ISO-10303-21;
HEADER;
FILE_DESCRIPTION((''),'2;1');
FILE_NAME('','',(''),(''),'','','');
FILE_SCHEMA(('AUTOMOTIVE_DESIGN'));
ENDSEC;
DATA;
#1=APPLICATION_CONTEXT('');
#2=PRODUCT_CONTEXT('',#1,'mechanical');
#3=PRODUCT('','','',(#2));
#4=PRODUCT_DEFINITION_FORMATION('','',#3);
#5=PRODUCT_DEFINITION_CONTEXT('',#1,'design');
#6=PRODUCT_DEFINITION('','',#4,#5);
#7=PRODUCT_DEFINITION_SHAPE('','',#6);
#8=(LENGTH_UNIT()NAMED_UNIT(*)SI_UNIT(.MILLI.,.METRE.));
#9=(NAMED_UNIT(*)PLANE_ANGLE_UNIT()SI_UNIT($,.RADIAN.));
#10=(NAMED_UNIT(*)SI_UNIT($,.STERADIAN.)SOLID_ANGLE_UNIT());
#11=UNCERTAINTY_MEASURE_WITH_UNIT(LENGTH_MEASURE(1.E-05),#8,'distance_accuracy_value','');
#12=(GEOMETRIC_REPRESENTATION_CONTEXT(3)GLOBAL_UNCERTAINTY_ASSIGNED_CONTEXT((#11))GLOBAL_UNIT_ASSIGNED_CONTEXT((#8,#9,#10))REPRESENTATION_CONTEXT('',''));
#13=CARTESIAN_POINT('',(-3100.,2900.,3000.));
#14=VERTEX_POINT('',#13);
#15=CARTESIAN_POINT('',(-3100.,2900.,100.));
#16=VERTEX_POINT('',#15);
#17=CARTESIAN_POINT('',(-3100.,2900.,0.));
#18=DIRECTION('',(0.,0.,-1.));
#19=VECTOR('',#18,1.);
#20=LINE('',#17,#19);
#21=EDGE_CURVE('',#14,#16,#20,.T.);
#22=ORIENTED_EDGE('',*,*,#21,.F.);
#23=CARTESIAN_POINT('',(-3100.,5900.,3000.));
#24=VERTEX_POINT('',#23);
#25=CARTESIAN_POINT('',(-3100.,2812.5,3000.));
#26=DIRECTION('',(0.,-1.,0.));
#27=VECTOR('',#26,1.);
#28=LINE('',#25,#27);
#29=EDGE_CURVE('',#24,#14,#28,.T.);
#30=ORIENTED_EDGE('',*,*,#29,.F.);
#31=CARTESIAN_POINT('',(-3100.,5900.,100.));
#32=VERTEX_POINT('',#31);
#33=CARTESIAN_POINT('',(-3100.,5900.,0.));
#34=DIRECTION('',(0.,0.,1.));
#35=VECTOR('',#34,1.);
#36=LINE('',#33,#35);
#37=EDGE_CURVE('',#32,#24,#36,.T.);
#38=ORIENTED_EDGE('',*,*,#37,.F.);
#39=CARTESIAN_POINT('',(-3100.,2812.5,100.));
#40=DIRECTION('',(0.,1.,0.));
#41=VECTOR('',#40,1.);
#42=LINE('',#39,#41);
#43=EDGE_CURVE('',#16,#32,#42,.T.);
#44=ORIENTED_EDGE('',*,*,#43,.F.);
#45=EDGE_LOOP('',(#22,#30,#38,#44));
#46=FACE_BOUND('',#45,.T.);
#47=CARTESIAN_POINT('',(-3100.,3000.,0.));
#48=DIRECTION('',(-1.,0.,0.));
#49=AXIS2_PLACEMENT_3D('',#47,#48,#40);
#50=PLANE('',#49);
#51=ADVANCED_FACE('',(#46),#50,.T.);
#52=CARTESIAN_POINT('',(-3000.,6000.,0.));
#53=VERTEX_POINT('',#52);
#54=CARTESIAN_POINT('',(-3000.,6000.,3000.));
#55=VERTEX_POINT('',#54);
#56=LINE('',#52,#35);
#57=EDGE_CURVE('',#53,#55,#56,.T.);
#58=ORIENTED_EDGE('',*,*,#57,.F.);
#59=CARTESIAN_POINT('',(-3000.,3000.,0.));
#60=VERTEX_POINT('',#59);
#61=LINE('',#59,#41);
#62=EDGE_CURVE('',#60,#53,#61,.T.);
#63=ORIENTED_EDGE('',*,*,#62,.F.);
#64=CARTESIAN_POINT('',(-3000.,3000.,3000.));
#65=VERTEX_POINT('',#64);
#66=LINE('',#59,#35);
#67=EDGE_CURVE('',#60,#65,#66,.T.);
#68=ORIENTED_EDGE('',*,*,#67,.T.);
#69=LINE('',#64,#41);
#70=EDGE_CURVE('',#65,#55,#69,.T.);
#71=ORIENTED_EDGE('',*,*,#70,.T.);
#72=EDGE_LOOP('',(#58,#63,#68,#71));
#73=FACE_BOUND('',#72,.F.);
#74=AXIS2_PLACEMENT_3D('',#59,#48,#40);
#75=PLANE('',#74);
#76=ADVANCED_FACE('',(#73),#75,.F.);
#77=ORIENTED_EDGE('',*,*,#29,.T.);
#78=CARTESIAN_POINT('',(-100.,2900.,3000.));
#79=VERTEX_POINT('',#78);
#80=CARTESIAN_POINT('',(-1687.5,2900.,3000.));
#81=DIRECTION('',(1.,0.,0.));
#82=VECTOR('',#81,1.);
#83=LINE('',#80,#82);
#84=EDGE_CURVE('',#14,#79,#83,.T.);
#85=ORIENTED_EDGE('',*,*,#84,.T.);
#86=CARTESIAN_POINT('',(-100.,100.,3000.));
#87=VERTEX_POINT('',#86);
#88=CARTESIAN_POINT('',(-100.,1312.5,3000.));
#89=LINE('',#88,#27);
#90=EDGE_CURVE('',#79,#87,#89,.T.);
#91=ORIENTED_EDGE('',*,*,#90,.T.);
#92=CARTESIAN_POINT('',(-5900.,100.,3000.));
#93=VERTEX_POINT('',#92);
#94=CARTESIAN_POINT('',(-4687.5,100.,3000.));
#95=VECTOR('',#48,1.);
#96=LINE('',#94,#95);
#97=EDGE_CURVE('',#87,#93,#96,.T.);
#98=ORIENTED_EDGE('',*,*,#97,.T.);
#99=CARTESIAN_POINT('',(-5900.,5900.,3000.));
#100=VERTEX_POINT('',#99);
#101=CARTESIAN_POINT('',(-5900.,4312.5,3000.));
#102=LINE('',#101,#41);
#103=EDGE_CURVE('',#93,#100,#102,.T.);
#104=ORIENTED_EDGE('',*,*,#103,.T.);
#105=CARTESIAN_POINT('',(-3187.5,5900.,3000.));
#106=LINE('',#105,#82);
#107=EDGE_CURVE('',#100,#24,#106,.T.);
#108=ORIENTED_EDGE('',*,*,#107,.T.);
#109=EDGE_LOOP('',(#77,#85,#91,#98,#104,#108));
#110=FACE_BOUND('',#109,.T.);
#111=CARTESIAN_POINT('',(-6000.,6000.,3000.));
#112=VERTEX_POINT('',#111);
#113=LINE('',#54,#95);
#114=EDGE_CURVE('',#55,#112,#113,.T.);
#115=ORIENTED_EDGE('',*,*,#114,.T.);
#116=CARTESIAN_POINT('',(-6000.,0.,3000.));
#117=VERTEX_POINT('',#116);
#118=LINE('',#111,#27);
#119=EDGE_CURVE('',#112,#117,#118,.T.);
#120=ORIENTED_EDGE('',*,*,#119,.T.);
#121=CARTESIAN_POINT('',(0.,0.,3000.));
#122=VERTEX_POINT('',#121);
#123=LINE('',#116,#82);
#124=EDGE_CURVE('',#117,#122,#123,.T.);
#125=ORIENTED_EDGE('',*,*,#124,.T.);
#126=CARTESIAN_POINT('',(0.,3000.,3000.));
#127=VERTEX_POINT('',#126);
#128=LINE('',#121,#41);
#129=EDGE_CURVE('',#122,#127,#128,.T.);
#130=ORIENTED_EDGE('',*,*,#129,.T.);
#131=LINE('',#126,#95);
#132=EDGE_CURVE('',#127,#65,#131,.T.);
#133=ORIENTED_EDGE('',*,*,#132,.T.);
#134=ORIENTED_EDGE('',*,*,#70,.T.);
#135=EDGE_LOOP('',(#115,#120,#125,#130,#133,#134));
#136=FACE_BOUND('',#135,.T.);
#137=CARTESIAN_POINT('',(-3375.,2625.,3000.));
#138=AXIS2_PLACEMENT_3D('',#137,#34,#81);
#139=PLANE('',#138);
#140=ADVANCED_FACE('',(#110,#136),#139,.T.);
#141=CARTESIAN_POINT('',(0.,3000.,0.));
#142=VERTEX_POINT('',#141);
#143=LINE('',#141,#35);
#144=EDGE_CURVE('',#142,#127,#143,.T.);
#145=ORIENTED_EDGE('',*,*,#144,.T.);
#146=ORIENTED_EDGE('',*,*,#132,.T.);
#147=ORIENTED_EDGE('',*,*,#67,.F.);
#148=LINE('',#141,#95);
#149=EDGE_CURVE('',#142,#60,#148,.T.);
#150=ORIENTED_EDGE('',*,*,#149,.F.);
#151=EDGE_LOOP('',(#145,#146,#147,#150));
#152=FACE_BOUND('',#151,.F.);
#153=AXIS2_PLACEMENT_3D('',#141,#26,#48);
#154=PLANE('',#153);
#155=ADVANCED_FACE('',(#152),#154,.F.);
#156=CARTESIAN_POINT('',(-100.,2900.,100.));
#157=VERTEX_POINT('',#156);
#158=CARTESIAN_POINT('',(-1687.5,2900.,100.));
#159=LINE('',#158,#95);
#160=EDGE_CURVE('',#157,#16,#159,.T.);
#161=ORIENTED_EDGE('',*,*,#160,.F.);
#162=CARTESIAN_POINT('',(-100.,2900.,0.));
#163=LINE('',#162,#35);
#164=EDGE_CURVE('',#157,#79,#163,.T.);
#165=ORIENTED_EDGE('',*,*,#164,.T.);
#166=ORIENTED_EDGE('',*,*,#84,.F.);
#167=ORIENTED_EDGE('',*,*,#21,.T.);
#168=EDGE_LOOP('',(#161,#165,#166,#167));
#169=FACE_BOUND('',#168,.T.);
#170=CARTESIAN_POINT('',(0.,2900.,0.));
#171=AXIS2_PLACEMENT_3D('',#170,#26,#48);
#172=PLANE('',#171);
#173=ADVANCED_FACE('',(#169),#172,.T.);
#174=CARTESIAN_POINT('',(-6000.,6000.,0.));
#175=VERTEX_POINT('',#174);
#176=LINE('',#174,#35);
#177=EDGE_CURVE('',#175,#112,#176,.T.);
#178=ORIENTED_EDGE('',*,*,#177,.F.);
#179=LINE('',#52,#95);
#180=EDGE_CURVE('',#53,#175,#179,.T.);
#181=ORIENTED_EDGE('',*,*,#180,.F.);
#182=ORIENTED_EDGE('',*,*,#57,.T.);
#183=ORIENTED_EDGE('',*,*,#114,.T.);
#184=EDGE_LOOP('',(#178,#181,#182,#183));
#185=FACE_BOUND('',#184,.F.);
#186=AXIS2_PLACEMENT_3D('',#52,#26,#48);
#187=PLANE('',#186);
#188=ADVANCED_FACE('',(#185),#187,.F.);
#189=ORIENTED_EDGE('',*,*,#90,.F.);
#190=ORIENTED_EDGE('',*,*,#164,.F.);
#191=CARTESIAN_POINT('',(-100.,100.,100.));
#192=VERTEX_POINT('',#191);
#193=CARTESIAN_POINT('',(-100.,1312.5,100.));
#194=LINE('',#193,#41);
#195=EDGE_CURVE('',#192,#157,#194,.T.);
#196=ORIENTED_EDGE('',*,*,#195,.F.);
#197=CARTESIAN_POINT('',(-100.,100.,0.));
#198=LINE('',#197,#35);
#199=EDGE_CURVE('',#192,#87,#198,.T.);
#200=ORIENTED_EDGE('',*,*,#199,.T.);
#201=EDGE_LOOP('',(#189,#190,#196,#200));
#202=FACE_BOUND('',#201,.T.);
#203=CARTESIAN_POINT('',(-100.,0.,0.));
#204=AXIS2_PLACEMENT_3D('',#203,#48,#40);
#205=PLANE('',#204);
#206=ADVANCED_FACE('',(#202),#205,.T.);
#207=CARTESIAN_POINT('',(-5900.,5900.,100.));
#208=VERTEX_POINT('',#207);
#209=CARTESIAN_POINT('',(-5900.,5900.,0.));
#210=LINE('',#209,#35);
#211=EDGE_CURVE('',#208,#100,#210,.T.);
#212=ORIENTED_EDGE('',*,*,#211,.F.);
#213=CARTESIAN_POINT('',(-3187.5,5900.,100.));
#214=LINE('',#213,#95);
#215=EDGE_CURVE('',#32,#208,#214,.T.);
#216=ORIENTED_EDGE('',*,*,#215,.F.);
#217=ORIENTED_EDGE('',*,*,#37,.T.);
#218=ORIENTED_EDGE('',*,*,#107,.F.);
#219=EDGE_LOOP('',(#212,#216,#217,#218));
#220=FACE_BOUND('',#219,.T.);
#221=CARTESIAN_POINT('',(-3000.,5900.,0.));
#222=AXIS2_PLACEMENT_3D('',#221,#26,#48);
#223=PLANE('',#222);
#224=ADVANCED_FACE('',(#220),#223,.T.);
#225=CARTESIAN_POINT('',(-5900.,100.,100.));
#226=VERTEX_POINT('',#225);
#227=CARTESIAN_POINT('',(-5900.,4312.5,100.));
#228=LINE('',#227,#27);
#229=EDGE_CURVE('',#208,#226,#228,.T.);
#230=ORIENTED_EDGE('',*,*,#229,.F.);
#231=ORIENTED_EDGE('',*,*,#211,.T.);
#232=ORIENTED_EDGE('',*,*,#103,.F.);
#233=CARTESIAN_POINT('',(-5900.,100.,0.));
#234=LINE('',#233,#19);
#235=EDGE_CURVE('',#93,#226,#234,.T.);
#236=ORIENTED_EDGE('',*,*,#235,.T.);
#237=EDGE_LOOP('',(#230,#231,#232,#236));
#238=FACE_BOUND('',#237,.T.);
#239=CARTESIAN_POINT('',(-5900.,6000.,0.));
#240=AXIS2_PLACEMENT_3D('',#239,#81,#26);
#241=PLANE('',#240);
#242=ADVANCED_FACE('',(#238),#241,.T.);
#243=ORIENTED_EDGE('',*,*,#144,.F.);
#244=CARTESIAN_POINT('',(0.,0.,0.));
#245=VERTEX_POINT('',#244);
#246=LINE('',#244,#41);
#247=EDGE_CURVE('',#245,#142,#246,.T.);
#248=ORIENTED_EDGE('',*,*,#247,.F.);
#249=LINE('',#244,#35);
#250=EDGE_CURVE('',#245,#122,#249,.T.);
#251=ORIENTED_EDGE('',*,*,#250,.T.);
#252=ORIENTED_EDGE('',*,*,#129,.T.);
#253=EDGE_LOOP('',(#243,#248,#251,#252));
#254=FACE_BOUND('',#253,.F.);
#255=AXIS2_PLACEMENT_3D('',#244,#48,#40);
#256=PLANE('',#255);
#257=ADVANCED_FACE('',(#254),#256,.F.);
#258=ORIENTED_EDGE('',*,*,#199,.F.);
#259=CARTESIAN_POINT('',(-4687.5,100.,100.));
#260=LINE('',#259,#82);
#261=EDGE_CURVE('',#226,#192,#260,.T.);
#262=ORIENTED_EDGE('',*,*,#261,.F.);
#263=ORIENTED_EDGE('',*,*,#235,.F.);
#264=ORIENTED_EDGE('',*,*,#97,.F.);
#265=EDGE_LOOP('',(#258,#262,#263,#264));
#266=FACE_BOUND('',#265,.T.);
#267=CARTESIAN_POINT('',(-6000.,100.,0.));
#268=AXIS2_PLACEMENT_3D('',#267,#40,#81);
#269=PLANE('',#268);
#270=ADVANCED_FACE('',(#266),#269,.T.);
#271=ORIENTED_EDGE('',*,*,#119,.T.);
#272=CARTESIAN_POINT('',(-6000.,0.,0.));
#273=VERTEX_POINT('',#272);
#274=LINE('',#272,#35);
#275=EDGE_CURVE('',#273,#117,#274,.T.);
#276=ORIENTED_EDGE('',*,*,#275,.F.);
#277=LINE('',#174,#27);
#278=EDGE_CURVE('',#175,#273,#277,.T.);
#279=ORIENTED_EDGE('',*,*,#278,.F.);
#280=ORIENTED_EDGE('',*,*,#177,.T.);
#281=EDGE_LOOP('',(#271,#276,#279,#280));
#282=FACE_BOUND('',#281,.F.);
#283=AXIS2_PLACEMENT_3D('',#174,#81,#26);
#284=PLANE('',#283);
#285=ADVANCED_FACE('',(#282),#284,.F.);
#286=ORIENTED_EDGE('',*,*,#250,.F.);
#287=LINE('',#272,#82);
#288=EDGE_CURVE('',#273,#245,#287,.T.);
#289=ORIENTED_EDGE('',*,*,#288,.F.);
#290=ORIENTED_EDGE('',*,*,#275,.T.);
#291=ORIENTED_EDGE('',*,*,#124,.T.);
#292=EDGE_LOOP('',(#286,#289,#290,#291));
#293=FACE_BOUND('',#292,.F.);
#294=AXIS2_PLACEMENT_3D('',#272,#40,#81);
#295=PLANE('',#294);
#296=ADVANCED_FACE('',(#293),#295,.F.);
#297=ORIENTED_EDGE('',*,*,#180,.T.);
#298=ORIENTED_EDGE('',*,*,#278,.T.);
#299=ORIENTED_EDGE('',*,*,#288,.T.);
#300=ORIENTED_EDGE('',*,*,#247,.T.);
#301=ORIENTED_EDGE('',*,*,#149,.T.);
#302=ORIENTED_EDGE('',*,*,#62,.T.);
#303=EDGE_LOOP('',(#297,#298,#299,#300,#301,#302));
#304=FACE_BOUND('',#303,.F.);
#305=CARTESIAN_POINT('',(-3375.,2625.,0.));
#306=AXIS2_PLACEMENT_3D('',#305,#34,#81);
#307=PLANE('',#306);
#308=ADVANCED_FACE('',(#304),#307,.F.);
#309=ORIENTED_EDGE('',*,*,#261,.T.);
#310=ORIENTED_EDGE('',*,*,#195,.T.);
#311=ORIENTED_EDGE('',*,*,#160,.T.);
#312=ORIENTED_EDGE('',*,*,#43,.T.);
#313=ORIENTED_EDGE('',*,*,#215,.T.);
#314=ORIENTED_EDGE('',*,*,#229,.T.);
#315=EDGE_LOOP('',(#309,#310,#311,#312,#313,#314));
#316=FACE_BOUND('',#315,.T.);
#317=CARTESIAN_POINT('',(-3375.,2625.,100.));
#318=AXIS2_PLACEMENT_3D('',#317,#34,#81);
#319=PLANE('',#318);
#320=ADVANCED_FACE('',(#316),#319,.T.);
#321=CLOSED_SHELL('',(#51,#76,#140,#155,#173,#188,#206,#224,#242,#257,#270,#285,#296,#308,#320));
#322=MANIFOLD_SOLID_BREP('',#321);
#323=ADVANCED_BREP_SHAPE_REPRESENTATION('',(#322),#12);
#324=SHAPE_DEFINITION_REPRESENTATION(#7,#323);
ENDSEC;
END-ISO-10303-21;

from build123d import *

# Parameters (mm, degrees)
F1_DEPTH = 3000
F2_T     = -100


with BuildPart() as f1:
    # F0 (on Top) → F1 (new body)
    with BuildSketch(Plane.XY):
        Polygon((-6000, 0), (0, 0), (0, 3000), (-3000, 3000), (-3000, 6000), (-6000, 6000), align=None)
    extrude(amount=F1_DEPTH)

    # F2
    f2_openings = [f1.faces().sort_by_distance(p)[0] for p in [
        (-3500, 2500, 3000),
    ]]
    offset(amount=F2_T, openings=f2_openings, kind=Kind.INTERSECTION)


solid = f1.part
